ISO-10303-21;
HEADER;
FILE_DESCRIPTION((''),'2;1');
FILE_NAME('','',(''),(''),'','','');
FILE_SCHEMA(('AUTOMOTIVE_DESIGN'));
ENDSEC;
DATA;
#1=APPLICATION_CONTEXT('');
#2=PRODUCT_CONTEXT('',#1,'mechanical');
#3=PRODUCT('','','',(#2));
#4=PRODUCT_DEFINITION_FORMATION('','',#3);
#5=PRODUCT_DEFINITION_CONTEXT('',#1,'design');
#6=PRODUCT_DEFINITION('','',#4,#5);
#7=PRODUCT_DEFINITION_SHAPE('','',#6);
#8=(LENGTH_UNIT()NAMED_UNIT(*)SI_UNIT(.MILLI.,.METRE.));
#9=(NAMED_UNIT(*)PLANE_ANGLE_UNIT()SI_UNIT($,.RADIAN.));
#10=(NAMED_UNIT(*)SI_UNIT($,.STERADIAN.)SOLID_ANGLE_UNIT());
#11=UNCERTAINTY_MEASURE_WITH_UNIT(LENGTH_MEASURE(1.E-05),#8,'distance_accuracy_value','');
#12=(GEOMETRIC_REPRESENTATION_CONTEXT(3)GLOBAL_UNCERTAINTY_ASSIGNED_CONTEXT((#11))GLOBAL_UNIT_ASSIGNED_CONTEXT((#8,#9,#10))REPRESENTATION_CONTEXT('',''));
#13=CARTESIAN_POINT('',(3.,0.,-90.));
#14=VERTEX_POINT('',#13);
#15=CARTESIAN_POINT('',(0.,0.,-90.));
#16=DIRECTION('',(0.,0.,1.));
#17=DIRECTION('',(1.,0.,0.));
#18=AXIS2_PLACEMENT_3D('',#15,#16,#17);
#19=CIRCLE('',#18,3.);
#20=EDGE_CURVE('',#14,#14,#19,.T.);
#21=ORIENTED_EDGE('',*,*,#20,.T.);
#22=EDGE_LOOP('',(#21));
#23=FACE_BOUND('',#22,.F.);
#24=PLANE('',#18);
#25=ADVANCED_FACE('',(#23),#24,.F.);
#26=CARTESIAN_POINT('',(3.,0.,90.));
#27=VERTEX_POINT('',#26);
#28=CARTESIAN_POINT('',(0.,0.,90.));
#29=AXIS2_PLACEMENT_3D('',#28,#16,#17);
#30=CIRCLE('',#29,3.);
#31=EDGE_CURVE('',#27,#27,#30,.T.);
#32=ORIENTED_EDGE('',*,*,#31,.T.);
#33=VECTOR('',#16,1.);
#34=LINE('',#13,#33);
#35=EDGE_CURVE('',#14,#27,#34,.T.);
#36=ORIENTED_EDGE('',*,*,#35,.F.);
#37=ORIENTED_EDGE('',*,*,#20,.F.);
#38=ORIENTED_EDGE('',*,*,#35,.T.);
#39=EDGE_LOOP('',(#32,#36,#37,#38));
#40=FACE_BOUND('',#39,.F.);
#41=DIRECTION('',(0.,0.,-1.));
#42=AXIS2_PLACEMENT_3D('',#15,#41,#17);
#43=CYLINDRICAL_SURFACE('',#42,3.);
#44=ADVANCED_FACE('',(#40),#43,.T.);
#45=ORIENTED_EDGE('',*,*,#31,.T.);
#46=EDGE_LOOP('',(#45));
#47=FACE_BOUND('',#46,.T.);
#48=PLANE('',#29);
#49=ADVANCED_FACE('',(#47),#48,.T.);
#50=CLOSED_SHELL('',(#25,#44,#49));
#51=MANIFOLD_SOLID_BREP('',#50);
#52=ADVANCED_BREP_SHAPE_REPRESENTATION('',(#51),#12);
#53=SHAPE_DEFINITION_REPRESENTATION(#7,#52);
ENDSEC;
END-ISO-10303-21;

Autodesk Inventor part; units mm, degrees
ref_plane "YZ Plane" through (0, 0, 0) normal (1, 0, 0) x (0, 1, 0)
ref_plane "XZ Plane" through (0, 0, 0) normal (0, 1, 0) x (-1, 0, 0)
ref_plane "Work Plane1" through (0, 0, -90) normal (0, 0, 1) x (1, 0, 0)
sketch "Sketch1" plane through (0, 0, -90) normal (0, 0, 1) x (1, 0, 0)
  circle A0 centre (0, 0) radius 3
extrude "Extrusion1" add sketch "Sketch1" along normal blind 180
properties part number "Hopper M6 rod" material "Steel, Carbon"
